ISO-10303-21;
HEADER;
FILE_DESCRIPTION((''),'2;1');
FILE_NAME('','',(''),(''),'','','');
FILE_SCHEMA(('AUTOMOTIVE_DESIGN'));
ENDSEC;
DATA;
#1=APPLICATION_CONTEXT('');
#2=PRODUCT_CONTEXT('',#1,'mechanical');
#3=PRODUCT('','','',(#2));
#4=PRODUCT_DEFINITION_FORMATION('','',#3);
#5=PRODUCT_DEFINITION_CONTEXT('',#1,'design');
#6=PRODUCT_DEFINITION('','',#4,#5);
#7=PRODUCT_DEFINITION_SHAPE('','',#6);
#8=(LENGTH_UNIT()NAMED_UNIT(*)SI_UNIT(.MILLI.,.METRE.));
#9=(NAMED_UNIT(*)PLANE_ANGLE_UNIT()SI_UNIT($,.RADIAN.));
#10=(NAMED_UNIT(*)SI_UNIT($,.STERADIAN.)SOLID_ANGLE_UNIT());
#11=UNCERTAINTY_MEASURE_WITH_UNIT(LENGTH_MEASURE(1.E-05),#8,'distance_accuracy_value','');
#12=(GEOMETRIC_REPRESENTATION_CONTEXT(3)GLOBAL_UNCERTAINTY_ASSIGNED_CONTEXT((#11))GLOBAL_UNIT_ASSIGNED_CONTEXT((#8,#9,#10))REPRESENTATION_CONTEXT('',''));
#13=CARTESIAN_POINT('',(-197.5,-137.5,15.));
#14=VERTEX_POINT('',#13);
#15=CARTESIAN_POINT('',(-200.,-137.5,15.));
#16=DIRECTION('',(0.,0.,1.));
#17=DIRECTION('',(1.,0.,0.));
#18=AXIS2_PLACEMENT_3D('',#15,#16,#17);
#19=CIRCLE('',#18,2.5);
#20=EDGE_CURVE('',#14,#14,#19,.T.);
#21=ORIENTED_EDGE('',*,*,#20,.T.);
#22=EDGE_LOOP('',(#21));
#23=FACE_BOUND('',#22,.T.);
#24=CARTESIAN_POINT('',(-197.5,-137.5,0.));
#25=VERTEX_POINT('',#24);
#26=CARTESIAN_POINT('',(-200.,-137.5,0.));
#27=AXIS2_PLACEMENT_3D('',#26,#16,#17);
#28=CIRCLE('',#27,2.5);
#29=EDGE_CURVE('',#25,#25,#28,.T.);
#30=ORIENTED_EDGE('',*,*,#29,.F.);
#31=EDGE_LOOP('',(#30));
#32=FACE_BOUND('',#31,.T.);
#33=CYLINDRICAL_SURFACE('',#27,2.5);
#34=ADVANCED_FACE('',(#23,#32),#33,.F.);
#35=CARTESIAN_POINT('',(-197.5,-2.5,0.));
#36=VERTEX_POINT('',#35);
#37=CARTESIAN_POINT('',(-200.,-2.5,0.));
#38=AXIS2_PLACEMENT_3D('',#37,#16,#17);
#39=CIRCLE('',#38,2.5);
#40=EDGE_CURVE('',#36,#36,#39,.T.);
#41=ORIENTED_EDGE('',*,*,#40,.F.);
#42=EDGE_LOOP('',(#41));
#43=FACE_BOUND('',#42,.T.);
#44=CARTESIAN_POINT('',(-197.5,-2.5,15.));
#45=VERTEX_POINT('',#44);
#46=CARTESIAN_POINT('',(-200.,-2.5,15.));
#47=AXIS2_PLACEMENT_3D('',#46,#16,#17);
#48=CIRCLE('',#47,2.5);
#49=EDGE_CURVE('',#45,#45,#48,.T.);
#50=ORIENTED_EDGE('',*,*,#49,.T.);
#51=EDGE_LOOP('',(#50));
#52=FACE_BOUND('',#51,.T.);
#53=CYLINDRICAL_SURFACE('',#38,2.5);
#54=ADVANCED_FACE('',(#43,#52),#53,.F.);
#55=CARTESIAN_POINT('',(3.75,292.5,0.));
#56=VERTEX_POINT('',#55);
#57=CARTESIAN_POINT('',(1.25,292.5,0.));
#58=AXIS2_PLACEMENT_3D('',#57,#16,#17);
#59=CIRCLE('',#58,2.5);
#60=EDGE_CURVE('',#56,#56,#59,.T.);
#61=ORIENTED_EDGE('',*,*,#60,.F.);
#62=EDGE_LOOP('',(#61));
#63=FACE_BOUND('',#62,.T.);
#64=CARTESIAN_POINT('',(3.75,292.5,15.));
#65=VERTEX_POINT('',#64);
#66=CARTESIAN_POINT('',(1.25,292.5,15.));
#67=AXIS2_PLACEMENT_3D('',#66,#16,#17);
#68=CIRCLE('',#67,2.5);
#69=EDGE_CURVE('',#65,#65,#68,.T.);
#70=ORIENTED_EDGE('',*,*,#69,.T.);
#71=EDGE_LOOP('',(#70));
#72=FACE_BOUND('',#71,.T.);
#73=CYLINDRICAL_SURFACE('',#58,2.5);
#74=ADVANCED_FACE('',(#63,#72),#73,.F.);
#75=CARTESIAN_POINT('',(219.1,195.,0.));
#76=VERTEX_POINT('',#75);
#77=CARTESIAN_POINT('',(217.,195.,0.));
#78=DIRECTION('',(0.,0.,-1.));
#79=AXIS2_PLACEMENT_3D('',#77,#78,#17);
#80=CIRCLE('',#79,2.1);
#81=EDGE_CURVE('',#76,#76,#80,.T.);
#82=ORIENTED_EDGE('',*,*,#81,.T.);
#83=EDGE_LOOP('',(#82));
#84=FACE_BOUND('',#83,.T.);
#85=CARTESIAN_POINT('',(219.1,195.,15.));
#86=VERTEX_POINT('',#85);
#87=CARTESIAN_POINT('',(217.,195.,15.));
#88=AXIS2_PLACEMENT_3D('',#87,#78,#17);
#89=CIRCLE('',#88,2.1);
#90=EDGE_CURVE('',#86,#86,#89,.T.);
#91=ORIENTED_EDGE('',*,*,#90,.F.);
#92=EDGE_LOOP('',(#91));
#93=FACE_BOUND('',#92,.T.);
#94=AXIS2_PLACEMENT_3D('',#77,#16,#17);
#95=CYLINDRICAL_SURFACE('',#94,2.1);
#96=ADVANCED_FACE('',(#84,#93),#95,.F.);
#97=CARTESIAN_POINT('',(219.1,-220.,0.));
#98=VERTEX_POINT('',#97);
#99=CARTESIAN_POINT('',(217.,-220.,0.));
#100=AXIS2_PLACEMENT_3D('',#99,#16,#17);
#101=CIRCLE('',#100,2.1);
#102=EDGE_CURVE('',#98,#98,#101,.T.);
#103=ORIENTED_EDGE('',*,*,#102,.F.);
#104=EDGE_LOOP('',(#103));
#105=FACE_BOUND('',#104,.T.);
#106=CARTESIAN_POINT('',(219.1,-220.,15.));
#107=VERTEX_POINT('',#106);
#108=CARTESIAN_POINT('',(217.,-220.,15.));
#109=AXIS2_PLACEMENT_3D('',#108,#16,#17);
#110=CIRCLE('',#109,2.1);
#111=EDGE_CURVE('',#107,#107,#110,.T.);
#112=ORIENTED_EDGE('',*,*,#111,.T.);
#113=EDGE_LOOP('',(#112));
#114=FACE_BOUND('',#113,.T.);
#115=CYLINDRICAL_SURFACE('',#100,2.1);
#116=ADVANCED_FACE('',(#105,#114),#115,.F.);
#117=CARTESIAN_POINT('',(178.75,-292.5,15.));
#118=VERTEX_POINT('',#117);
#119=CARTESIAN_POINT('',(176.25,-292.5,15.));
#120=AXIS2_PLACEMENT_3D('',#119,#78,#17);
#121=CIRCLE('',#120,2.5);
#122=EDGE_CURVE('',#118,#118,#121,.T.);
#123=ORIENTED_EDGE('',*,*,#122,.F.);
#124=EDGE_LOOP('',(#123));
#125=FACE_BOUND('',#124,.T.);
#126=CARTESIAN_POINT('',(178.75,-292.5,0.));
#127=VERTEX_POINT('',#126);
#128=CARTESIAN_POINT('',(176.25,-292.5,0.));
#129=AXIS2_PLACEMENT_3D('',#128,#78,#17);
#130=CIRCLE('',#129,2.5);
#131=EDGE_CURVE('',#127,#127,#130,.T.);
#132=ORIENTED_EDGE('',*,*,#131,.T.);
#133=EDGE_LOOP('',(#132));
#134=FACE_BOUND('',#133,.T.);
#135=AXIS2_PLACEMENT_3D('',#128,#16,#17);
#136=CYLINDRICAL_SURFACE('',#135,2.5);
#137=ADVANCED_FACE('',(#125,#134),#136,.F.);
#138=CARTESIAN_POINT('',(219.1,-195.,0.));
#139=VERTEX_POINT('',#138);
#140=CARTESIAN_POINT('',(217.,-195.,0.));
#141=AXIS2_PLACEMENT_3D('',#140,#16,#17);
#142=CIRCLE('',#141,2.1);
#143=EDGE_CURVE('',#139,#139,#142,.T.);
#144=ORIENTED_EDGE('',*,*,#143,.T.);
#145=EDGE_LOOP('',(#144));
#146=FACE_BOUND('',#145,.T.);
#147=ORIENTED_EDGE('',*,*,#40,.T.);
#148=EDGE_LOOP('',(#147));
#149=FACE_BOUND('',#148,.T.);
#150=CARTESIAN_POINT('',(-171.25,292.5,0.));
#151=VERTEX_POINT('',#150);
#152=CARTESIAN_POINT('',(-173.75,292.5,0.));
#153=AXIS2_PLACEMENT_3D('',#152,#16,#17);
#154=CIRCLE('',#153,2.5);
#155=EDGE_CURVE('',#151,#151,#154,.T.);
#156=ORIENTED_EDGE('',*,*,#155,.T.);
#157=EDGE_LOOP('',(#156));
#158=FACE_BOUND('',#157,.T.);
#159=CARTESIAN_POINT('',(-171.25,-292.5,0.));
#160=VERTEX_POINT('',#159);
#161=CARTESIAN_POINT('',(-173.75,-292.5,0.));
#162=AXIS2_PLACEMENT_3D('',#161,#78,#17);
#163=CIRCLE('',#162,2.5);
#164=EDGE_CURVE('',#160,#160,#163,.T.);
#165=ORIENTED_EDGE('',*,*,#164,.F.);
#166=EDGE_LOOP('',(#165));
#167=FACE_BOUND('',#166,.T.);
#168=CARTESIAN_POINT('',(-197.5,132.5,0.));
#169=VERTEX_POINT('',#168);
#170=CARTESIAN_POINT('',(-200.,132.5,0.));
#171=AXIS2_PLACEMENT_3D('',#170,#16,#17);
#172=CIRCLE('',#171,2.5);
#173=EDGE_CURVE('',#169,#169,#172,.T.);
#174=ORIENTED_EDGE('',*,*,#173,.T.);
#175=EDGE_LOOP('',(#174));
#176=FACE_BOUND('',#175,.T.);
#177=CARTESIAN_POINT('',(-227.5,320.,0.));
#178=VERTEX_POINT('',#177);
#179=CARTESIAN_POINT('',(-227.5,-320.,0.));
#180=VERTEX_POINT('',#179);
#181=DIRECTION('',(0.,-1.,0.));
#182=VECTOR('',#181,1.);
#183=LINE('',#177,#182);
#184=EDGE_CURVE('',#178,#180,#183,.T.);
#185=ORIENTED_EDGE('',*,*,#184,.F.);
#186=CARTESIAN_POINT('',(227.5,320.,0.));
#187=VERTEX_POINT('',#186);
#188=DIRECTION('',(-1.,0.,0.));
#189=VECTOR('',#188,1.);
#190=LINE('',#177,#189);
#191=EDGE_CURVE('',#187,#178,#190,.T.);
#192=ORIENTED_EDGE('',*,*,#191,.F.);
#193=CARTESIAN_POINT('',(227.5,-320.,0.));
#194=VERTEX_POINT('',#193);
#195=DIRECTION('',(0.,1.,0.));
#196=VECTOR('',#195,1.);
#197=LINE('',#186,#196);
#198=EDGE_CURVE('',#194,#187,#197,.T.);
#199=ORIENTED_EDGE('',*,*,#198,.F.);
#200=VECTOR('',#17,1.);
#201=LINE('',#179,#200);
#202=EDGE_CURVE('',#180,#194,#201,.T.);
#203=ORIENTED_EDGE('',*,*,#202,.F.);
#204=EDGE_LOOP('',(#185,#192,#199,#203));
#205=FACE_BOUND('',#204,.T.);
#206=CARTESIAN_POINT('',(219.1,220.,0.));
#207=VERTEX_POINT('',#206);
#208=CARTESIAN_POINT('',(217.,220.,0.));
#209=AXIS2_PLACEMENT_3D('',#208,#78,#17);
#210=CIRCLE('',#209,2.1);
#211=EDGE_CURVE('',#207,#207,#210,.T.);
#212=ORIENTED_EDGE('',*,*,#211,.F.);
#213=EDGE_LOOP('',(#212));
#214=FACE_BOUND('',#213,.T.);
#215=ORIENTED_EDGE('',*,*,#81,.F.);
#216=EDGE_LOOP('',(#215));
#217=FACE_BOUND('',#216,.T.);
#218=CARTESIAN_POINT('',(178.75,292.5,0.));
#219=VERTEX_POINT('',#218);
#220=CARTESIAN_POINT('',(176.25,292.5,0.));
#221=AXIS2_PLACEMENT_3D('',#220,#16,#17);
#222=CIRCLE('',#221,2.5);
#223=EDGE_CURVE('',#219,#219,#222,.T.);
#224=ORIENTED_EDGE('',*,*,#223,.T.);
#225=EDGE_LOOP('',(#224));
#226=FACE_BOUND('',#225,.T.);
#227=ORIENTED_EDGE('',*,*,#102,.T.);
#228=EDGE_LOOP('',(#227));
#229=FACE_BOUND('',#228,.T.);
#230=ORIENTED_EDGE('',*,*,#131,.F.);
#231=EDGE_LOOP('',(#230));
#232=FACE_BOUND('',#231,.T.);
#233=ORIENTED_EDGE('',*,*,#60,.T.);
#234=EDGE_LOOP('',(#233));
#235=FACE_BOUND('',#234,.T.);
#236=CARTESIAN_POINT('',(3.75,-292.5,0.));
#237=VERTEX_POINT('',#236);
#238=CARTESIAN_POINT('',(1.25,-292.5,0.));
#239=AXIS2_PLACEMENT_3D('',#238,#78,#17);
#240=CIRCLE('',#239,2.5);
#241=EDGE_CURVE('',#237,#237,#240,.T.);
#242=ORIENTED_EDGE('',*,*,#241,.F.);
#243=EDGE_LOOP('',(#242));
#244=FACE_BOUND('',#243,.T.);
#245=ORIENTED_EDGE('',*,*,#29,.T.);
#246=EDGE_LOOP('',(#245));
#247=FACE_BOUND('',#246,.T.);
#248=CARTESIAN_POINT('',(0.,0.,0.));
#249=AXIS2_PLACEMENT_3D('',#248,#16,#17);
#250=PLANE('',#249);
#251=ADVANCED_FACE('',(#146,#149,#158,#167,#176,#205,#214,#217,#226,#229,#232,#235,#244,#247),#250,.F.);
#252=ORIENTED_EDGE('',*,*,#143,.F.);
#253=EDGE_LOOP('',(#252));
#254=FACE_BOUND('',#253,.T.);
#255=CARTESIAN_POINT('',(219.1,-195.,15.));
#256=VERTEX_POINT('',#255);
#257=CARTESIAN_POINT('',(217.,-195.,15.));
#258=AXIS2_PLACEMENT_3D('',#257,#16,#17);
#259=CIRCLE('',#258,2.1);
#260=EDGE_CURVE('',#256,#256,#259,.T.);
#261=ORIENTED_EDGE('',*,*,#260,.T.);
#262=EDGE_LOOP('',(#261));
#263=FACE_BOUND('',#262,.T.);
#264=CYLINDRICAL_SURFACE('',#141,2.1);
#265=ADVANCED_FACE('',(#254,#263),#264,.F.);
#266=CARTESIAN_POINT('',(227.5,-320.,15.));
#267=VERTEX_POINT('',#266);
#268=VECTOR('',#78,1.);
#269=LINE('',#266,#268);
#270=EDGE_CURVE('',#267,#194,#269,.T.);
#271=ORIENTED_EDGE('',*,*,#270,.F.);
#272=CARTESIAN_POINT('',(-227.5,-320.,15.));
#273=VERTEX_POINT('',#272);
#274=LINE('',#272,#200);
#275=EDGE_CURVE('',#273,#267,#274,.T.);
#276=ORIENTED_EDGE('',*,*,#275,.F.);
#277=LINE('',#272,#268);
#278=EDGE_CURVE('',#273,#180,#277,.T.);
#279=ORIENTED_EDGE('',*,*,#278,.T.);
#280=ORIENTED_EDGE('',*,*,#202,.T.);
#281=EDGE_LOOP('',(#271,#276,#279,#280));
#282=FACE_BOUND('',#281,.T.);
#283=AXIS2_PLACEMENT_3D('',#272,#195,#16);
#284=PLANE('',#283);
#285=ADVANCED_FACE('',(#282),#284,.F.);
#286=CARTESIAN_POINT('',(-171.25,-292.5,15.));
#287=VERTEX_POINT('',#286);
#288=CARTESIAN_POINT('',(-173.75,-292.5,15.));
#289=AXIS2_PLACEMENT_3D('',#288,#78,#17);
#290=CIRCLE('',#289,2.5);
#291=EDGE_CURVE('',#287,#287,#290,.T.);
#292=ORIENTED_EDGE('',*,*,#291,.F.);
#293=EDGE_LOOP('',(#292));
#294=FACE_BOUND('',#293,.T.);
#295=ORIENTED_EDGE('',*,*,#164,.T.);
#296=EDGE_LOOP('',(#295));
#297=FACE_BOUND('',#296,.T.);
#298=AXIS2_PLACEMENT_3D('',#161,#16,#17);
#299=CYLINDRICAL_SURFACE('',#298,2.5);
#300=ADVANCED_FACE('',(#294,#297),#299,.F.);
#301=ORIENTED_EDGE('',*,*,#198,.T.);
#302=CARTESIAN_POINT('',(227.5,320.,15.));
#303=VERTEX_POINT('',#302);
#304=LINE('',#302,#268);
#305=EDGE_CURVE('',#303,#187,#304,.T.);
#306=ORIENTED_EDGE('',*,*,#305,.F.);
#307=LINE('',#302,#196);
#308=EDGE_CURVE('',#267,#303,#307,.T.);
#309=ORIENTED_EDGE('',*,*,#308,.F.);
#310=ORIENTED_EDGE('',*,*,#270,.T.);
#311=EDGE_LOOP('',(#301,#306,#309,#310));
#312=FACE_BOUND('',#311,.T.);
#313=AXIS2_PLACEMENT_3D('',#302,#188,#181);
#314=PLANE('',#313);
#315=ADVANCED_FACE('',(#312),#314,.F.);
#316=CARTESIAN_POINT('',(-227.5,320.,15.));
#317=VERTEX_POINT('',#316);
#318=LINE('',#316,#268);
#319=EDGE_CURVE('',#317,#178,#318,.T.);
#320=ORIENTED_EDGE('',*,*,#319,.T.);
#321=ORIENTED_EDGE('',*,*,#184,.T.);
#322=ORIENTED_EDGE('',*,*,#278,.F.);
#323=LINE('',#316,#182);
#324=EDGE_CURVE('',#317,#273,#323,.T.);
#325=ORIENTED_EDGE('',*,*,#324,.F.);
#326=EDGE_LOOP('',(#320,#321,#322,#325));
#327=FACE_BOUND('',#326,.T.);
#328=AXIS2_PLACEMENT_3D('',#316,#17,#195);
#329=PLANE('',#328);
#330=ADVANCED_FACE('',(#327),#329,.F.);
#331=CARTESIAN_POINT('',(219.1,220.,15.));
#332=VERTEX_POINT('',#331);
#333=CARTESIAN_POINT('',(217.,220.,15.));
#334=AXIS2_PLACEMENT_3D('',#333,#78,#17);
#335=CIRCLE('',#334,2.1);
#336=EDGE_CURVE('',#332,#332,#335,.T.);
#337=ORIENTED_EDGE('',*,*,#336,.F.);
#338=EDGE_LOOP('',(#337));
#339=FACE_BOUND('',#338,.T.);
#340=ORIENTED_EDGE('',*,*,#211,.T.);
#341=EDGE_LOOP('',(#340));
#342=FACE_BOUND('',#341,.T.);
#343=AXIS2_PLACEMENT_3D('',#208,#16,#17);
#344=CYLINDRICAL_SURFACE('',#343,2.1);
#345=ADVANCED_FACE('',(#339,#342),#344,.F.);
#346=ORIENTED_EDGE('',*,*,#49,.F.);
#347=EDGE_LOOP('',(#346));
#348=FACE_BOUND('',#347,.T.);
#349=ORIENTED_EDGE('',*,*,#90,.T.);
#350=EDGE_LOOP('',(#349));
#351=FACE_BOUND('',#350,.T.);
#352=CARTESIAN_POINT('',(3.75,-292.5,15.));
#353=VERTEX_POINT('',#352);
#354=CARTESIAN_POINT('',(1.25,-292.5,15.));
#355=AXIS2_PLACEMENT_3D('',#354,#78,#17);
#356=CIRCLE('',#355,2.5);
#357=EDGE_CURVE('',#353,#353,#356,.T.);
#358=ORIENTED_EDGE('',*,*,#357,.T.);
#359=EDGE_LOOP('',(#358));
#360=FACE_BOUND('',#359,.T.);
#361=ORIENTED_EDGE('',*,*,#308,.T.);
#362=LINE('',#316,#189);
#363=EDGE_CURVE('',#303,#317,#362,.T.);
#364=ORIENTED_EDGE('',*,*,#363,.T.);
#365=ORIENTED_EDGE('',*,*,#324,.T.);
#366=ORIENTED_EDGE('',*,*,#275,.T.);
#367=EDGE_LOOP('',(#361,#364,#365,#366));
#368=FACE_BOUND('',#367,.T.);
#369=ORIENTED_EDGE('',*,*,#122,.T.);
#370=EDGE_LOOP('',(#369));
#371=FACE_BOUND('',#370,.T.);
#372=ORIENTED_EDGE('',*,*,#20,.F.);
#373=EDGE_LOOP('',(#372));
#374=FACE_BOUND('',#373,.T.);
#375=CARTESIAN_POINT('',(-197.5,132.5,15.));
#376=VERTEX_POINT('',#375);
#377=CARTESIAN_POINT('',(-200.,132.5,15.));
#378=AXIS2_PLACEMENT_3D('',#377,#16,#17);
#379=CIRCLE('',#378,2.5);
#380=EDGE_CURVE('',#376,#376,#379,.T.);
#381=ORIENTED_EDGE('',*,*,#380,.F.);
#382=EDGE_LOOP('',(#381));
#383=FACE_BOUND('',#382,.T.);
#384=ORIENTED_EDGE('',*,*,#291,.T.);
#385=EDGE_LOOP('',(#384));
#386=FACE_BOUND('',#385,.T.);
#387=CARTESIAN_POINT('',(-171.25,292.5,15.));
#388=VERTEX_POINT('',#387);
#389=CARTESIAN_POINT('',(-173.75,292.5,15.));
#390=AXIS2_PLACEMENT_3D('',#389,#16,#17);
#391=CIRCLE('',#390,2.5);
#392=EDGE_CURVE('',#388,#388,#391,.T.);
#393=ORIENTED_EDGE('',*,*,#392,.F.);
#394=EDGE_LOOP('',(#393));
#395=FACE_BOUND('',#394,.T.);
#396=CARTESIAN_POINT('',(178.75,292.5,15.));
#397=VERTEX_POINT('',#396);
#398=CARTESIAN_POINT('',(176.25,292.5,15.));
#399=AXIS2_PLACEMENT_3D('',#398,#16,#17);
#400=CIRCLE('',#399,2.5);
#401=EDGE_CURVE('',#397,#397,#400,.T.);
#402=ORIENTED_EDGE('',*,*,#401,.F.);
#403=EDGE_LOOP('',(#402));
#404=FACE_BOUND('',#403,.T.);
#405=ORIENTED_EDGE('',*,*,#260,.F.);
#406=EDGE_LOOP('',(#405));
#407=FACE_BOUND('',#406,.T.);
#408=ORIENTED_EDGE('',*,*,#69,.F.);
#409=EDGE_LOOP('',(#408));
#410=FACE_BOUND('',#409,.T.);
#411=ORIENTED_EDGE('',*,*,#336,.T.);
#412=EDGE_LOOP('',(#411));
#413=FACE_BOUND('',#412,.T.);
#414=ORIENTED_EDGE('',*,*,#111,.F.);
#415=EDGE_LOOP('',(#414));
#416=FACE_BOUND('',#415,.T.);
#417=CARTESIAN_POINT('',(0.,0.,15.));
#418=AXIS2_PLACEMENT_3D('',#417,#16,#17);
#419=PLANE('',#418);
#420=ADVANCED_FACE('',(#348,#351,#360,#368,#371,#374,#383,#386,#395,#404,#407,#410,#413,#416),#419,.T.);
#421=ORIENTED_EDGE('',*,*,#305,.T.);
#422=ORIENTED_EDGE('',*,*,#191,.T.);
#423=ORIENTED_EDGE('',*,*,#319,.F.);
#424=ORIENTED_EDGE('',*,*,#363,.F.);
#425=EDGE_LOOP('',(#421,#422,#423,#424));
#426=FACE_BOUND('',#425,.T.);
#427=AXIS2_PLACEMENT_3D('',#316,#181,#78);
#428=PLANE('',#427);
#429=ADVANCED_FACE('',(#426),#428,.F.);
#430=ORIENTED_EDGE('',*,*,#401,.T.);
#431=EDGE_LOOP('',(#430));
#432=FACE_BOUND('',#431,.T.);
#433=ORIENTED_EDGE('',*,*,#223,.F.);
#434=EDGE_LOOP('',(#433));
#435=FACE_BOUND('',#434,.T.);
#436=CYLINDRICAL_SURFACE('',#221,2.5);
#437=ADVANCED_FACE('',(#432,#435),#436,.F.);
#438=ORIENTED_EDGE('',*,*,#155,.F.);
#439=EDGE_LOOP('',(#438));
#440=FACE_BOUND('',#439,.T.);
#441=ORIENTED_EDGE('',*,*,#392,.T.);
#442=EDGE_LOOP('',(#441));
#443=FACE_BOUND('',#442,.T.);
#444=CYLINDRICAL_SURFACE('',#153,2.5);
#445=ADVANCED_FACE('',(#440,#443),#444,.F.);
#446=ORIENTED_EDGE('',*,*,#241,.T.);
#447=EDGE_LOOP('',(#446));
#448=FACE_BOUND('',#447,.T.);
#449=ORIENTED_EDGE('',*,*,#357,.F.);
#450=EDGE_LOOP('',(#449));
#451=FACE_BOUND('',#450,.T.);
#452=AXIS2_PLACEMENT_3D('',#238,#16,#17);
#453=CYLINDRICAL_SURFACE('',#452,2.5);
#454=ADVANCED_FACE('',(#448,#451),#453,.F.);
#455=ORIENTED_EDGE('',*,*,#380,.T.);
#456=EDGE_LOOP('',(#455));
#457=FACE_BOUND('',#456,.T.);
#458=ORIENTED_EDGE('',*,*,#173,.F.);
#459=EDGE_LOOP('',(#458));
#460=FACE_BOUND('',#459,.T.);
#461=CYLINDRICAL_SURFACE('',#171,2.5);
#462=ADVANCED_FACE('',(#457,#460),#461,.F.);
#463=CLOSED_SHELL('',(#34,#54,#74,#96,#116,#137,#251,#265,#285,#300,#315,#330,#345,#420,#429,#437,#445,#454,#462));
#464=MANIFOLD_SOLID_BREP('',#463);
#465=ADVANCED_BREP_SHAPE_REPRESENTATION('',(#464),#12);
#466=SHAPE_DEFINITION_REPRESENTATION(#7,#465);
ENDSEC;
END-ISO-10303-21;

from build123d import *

# Parameters (mm, degrees)
SKETCH_1_W               = 455
SKETCH_1_H               = 640
EXTRUDE_1_DEPTH          = 15
CUT_EXTRUDE_1_DEPTH      = 393.913794617
CUT_EXTRUDE_1_DEPTH_BACK = 393.913794617
SKETCH_2_R               = 2.5
SKETCH_2_3_R             = 2.5
CUT_EXTRUDE_2_DEPTH      = 393.913794617
SKETCH_3_R               = 2.1
CUT_EXTRUDE_3_DEPTH      = 393.913794617


with BuildPart() as part:
    # ｽｹｯﾁ1 → ﾎﾞｽ - 押し出し1 (new body)
    with BuildSketch(Plane.XY):
        Rectangle(SKETCH_1_W, SKETCH_1_H)
    extrude(amount=EXTRUDE_1_DEPTH)

    # ｽｹｯﾁ2 → ｶｯﾄ - 押し出し1 (cut, two sides: drawn at the far end of the back side and taken through both)
    with BuildSketch(Plane.XY.offset(15).offset(-CUT_EXTRUDE_1_DEPTH_BACK)):
        with Locations((-200, 132.5)):
            Circle(SKETCH_2_R)
        with Locations((-200, -2.5)):
            Circle(SKETCH_2_R)
        with Locations((-200, -137.5)):
            Circle(SKETCH_2_R)
    extrude(amount=CUT_EXTRUDE_1_DEPTH + CUT_EXTRUDE_1_DEPTH_BACK, mode=Mode.SUBTRACT)

    # ｽｹｯﾁ2<3> → ｶｯﾄ - 押し出し2 (cut, through all)
    with BuildSketch(Plane.XY.offset(15)):
        with Locations((1.25, 292.5)):
            Circle(SKETCH_2_3_R)
        with Locations((-173.75, 292.5)):
            Circle(SKETCH_2_3_R)
        with Locations((176.25, 292.5)):
            Circle(SKETCH_2_3_R)
    cut_extrude_2 = extrude(amount=-CUT_EXTRUDE_2_DEPTH, mode=Mode.SUBTRACT)

    # ﾐﾗｰ1: ｶｯﾄ - 押し出し2 across plane
    add(cut_extrude_2.mirror(Plane.ZX), mode=Mode.SUBTRACT)

    # ｽｹｯﾁ3 → ｶｯﾄ - 押し出し3 (cut, through all)
    with BuildSketch(Plane.XY.offset(15)):
        with Locations((217, -220)):
            Circle(SKETCH_3_R)
        with Locations((217, -195)):
            Circle(SKETCH_3_R)
    cut_extrude_3 = extrude(amount=-CUT_EXTRUDE_3_DEPTH, mode=Mode.SUBTRACT)

    # ﾐﾗｰ2: ｶｯﾄ - 押し出し3 across plane
    add(cut_extrude_3.mirror(Plane.ZX), mode=Mode.SUBTRACT)


solid = part.part
